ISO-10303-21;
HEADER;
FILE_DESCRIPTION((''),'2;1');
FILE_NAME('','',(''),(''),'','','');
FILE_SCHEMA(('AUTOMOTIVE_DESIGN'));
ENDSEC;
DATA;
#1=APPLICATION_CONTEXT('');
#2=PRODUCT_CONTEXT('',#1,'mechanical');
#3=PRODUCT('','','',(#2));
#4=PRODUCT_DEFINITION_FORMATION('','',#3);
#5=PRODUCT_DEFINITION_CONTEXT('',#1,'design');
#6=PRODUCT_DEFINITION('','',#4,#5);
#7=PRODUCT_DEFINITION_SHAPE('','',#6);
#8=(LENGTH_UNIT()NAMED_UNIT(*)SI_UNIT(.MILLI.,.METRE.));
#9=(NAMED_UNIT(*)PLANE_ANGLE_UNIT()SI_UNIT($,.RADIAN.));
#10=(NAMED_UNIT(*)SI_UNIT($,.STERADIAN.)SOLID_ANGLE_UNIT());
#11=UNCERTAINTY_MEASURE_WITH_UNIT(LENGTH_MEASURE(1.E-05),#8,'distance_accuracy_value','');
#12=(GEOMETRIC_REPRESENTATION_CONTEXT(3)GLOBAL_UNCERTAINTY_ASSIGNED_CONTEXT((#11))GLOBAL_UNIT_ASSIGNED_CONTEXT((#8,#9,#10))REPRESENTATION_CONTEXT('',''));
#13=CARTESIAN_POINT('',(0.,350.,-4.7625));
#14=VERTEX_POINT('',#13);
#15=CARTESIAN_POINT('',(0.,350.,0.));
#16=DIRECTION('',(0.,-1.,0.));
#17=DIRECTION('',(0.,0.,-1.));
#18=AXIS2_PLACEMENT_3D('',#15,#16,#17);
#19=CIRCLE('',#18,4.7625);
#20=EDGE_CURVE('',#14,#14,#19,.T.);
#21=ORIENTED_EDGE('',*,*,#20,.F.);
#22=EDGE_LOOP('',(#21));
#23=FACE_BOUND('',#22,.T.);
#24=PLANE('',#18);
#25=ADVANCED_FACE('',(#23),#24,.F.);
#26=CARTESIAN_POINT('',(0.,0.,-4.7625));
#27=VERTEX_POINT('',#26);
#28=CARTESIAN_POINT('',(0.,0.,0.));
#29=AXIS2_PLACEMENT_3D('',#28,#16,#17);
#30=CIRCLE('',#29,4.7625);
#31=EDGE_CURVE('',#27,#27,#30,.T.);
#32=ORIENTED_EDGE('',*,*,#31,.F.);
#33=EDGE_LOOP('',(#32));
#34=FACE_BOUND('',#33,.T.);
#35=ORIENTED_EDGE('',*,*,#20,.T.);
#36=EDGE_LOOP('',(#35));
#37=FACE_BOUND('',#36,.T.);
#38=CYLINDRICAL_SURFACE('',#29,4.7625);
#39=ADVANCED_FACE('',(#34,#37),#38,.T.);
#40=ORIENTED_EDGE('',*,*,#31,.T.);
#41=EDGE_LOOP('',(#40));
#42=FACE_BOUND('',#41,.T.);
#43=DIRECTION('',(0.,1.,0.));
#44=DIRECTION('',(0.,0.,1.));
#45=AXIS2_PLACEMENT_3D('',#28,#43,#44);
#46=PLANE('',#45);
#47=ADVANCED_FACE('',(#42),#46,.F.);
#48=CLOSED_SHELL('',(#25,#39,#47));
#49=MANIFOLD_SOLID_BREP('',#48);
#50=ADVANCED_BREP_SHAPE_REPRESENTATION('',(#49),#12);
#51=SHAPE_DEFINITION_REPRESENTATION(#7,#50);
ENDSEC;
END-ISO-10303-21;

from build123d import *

# Parameters (mm, degrees)
SKETCH2_W = 4.7625
SKETCH2_H = 350


with BuildPart() as part:
    # Sketch2 → Revolve1 (revolve)
    with BuildSketch(Plane.XY):
        with Locations((-2.38125, 175)):
            Rectangle(SKETCH2_W, SKETCH2_H)
    revolve(axis=Axis((0, 0, 0), (0, 1, 0)))


solid = part.part
